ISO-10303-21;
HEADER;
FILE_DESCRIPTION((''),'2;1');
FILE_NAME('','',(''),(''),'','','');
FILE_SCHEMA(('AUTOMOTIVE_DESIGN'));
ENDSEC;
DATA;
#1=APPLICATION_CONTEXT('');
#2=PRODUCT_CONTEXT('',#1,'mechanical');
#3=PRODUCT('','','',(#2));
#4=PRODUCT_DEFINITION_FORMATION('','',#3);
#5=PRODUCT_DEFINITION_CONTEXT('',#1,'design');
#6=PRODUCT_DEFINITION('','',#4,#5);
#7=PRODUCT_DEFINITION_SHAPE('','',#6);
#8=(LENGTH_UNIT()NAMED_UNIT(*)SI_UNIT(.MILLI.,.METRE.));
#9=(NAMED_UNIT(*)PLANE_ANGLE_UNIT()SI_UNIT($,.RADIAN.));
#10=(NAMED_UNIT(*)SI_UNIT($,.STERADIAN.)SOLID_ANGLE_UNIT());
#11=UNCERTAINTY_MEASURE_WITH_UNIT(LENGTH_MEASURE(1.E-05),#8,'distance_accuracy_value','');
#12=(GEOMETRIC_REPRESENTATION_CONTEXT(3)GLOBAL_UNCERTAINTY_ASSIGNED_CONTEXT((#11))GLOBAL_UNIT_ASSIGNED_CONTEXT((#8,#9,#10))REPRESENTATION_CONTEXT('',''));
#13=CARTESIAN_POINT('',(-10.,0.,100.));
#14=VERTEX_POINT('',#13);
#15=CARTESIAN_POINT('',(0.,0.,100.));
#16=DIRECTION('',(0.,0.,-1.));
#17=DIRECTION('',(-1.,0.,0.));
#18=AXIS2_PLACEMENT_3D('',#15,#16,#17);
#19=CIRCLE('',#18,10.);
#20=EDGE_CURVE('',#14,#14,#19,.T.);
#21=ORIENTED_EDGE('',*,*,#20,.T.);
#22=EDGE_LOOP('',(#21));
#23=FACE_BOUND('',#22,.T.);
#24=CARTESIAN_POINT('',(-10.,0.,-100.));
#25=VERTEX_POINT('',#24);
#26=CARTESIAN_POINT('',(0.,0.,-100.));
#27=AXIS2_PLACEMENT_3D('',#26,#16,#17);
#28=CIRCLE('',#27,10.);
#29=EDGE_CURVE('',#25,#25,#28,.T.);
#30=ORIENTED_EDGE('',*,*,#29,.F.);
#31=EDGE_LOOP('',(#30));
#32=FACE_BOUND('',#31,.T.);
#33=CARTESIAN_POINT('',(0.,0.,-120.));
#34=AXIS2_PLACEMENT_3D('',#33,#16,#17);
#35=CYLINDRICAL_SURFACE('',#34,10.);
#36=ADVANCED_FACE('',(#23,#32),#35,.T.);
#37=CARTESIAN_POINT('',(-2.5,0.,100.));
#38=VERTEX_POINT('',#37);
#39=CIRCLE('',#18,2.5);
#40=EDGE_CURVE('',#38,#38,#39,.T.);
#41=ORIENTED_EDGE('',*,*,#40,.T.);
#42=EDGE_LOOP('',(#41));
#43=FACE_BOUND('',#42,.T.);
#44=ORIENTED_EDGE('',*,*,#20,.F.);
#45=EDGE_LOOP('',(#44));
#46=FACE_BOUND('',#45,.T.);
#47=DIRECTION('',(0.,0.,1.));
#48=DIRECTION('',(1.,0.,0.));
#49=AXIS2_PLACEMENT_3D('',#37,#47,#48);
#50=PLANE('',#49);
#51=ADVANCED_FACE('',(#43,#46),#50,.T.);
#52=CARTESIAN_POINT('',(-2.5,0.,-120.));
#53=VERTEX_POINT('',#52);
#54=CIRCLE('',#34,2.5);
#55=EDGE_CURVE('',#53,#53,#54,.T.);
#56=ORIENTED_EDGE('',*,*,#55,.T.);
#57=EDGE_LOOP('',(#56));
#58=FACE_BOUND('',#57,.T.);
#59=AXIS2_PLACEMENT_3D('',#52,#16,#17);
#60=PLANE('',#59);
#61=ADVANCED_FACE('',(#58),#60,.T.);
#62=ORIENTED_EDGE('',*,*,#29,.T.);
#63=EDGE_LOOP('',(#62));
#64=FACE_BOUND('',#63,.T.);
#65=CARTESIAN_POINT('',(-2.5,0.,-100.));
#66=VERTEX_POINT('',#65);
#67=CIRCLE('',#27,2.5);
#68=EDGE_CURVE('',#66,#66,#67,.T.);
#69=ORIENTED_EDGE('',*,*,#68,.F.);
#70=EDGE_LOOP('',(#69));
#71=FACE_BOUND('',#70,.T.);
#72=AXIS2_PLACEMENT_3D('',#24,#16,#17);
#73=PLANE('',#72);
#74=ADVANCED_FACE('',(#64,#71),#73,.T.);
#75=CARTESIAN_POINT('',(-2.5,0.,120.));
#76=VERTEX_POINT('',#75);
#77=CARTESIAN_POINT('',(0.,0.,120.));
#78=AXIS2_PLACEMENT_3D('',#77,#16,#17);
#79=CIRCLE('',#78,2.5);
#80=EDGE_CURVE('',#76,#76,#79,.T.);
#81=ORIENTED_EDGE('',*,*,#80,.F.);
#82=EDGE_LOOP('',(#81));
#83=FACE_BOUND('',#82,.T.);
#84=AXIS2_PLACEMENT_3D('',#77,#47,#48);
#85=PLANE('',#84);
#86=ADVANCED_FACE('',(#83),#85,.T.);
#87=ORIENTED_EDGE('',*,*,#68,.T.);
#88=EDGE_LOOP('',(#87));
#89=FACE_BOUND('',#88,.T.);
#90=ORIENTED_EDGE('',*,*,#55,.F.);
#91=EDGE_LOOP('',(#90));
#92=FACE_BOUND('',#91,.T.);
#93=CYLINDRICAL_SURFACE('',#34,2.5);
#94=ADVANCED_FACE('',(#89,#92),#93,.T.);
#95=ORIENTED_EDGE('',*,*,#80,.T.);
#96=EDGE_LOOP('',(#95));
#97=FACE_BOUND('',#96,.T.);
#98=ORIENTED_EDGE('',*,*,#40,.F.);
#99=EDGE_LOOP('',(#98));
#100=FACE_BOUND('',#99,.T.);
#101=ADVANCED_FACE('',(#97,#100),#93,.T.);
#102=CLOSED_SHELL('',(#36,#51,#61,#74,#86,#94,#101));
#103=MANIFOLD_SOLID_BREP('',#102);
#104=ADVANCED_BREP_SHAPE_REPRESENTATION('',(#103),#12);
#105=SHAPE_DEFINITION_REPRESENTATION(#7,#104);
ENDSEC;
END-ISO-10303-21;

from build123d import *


with BuildPart() as part:
    # Sketch1 → Revolve1 (revolve)
    with BuildSketch(Plane(origin=(0, 0, 0), x_dir=(1, 0, 0), z_dir=(0, 1, 0))):
        Polygon((0, -120), (-2.5, -120), (-2.5, -100), (-10, -100), (-10, 100), (-2.5, 100), (-2.5, 120), (0, 120), align=None)
    revolve(axis=Axis((0, 0, -120), (0, 0, 1)))


solid = part.part
